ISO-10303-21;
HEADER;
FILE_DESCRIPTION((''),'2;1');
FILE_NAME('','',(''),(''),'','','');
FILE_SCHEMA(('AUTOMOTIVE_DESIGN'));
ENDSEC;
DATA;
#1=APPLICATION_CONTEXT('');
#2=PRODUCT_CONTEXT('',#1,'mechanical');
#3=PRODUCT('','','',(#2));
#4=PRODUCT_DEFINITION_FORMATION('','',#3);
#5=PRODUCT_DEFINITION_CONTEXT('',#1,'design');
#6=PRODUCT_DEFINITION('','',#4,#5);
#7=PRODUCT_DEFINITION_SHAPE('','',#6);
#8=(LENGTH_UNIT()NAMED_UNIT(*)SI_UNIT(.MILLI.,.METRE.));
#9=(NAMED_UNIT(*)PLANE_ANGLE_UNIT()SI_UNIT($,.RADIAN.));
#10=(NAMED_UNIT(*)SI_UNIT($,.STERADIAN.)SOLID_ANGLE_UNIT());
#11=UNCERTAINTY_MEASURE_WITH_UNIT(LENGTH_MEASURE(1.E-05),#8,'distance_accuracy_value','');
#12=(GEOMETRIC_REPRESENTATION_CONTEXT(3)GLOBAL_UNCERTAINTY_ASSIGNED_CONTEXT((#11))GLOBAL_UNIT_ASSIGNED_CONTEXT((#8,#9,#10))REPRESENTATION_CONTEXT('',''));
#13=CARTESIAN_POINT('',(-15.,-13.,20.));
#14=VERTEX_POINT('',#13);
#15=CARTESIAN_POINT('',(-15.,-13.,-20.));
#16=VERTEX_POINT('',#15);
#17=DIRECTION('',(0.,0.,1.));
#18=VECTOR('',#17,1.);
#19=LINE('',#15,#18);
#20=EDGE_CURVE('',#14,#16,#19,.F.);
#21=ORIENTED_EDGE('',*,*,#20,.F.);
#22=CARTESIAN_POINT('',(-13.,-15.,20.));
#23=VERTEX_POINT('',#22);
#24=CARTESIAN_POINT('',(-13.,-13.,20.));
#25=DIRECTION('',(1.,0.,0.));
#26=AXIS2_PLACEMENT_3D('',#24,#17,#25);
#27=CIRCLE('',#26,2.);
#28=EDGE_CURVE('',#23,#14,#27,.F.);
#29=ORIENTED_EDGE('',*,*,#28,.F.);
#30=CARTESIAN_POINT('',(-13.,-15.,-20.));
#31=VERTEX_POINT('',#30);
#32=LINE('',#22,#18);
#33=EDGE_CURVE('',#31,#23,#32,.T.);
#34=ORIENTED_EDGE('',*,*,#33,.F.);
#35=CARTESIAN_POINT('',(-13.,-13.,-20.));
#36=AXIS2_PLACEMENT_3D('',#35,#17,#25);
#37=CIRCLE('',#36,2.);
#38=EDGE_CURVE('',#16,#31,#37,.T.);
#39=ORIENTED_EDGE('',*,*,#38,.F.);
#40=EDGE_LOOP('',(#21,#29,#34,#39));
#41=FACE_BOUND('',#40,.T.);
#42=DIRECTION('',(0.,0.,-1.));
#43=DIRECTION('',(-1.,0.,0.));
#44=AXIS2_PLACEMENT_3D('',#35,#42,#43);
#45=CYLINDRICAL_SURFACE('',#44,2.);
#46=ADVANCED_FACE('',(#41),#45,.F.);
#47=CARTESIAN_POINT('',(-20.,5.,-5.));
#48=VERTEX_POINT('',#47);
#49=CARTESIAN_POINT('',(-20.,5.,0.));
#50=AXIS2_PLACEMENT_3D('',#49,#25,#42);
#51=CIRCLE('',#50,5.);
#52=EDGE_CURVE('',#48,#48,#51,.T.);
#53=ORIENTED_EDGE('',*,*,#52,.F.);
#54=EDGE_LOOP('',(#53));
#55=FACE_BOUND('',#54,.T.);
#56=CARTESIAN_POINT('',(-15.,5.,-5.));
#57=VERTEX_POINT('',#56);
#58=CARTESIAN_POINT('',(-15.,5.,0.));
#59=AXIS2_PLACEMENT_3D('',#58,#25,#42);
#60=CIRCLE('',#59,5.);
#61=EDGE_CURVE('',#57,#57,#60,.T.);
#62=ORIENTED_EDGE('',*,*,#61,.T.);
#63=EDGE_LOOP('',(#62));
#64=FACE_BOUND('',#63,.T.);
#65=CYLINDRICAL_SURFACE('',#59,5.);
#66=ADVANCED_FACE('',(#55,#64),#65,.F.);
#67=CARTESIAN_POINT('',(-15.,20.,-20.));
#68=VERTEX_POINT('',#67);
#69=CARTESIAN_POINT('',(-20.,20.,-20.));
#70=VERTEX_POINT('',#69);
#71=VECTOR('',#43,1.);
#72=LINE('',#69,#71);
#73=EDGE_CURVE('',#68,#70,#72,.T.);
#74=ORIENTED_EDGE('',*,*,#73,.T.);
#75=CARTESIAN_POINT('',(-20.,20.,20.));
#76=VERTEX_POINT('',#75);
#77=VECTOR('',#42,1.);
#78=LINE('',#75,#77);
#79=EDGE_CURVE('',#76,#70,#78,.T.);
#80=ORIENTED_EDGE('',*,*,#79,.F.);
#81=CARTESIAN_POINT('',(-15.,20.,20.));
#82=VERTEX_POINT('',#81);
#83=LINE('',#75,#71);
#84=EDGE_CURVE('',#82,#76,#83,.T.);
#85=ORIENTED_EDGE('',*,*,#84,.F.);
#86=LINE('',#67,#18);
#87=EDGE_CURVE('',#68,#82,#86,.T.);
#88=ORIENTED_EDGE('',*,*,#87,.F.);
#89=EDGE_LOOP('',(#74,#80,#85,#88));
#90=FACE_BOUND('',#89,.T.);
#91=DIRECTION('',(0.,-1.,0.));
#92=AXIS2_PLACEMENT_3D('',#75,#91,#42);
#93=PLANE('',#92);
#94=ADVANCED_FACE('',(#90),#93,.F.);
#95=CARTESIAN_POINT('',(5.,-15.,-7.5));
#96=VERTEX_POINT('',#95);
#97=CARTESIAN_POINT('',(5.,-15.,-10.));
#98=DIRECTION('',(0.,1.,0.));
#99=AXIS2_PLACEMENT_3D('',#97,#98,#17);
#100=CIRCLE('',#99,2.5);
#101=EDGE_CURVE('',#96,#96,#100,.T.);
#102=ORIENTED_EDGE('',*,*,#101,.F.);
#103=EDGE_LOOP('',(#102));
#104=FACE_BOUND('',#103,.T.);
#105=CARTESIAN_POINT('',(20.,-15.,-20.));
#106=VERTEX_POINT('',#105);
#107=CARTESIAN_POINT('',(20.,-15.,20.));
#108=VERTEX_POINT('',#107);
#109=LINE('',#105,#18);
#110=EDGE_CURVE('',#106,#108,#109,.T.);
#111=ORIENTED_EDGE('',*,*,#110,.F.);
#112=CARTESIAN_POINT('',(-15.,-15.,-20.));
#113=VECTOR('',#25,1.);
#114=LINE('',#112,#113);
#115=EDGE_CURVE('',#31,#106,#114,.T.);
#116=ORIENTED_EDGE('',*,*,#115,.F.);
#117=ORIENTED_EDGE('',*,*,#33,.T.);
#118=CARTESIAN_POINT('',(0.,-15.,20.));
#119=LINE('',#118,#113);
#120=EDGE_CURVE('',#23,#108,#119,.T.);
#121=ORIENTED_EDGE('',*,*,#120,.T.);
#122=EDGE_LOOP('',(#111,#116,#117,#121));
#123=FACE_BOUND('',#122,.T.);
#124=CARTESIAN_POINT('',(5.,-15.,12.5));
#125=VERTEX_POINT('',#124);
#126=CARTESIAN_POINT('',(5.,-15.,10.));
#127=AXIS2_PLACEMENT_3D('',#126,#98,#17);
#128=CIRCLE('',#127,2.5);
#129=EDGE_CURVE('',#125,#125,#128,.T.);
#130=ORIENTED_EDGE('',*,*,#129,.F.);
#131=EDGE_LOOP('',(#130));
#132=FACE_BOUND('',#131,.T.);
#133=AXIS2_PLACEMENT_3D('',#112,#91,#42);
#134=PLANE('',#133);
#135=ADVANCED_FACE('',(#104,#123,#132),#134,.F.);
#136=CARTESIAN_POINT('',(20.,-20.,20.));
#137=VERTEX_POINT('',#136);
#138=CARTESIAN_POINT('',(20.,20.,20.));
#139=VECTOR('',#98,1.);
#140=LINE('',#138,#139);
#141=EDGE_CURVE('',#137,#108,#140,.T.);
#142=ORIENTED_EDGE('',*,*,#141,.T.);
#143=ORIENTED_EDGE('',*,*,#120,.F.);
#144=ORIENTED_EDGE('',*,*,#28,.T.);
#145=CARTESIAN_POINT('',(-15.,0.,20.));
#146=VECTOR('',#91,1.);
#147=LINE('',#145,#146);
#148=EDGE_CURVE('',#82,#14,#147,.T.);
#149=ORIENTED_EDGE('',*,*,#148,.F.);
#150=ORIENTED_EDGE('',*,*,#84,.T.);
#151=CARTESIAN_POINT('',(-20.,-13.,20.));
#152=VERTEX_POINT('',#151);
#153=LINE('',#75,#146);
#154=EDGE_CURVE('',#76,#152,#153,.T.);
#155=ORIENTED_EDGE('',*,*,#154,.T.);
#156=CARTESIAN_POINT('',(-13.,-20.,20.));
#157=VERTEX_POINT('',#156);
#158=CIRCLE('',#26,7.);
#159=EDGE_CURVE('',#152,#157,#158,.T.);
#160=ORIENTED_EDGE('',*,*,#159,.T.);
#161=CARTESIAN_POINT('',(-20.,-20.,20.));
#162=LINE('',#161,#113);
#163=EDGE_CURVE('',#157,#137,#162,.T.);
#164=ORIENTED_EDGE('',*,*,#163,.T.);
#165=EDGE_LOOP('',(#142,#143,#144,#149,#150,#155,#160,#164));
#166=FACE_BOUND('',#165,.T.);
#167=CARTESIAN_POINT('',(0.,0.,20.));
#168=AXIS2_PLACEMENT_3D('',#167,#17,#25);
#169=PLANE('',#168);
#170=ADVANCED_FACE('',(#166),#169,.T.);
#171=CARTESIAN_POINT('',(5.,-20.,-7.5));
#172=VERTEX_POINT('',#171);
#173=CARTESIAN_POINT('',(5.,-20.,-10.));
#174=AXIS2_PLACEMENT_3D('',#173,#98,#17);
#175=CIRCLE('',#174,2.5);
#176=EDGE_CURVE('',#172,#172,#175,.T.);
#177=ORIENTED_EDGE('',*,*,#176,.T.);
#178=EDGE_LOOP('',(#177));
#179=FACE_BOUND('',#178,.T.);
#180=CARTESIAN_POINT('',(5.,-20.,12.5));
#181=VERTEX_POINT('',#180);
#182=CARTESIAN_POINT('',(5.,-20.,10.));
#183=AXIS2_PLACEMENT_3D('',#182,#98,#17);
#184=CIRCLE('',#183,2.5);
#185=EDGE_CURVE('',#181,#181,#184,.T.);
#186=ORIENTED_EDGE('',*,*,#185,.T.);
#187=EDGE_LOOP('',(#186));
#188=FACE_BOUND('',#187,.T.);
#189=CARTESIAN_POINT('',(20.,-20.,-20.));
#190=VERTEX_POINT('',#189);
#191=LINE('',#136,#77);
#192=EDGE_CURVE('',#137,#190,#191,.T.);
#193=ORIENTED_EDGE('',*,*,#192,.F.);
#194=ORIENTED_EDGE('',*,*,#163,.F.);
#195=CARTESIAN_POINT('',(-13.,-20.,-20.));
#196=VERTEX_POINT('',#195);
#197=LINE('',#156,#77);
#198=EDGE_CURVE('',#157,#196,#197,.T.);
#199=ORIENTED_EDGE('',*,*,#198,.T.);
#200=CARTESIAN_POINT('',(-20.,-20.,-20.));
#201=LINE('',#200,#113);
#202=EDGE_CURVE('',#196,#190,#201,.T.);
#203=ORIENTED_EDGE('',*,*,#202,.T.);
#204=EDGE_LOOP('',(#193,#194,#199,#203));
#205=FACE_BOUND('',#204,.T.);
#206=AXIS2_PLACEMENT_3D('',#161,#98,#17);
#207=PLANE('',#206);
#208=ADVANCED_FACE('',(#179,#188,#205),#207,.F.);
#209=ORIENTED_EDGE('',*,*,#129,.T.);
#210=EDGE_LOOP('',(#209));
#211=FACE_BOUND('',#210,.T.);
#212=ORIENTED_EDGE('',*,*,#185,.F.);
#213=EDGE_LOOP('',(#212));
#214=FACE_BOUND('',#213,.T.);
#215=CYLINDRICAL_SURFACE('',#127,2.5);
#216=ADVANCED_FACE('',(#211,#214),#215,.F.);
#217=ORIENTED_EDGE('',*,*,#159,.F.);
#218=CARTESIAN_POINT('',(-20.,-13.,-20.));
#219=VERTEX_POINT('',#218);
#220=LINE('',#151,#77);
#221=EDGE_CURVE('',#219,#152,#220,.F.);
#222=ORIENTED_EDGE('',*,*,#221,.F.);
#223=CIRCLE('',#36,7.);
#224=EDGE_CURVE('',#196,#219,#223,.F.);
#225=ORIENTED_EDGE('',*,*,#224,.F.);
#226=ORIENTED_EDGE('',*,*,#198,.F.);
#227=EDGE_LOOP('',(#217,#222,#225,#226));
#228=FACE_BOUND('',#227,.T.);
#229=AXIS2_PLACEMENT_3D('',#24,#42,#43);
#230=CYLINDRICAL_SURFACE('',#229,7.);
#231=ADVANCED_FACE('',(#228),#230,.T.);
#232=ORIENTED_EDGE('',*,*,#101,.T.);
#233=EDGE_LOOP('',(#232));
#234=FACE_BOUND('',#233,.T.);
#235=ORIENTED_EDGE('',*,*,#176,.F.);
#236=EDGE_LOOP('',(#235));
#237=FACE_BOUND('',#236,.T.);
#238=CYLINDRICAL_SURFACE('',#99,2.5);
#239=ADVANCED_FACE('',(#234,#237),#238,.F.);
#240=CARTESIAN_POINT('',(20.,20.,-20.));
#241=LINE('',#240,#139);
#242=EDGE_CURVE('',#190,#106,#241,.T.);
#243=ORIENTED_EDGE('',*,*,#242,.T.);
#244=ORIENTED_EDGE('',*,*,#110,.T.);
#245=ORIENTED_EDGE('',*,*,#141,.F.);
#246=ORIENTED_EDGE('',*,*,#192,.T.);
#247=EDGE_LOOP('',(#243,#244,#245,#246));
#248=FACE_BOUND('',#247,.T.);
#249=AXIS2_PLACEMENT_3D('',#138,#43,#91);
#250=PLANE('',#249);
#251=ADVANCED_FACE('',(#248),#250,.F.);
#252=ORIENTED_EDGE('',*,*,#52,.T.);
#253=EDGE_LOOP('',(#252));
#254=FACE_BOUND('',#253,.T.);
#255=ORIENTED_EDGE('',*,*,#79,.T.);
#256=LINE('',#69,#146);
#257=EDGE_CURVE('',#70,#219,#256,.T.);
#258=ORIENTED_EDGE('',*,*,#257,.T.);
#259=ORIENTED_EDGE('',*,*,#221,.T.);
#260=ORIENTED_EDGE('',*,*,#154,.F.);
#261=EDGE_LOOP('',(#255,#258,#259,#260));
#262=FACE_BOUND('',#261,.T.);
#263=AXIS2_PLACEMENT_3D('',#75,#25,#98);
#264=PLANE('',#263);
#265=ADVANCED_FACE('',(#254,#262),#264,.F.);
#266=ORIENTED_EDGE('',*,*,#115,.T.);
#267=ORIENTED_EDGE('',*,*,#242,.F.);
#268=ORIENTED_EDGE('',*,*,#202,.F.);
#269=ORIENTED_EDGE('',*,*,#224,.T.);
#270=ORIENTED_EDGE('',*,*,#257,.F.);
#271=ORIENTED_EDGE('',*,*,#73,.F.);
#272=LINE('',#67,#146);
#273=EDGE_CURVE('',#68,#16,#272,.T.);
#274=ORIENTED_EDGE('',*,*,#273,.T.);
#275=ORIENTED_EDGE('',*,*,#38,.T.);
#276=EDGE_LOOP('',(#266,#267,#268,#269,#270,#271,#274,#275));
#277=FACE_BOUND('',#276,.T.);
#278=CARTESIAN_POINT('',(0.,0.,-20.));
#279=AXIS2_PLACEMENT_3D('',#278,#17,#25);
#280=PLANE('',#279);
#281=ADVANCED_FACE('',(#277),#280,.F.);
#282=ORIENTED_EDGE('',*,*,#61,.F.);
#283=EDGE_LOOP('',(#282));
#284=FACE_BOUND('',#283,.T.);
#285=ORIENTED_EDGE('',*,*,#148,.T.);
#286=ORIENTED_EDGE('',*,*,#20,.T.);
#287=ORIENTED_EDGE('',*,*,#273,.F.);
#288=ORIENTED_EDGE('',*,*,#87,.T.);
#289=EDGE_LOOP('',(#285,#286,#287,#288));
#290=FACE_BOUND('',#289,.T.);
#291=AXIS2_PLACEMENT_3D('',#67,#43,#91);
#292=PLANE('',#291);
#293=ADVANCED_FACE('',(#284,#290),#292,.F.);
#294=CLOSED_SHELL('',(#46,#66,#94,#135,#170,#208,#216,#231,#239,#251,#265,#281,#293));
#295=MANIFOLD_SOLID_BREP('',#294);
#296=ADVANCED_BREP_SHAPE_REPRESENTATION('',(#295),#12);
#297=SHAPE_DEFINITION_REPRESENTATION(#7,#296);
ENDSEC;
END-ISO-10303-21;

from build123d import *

# Parameters (mm, degrees)
SKETCH1_W               = 40
SKETCH1_H               = 40
BOSS_EXTRUDE1_DEPTH     = 20
CUT_EXTRUDE1_DEPTH      = 49.989794856
CUT_EXTRUDE1_DEPTH_BACK = 49.989794856
SKETCH2_W               = 35
SKETCH2_H               = 35
FILLET1_R               = 2
FILLET2_R               = 7
HOLE1_D                 = 10
HOLE3_D                 = 5


with BuildPart() as part:
    # Sketch1 → Boss-Extrude1 (new, symmetric)
    with BuildSketch(Plane.XY):
        Rectangle(SKETCH1_W, SKETCH1_H)
    extrude(amount=BOSS_EXTRUDE1_DEPTH, both=True)

    # Sketch2 → Cut-Extrude1 (cut, two sides: drawn at the far end of the back side and taken through both)
    with BuildSketch(Plane.XY.offset(20).offset(-CUT_EXTRUDE1_DEPTH_BACK)):
        with Locations((2.5, 2.5)):
            Rectangle(SKETCH2_W, SKETCH2_H)
    extrude(amount=CUT_EXTRUDE1_DEPTH + CUT_EXTRUDE1_DEPTH_BACK, mode=Mode.SUBTRACT)

    # Fillet1
    fillet1_edges = [part.edges().sort_by_distance(p)[0] for p in [
        (-15, -15, 0),
    ]]
    fillet(fillet1_edges, radius=FILLET1_R)

    # Fillet2
    fillet2_edges = [part.edges().sort_by_distance(p)[0] for p in [
        (-20, -20, 0),
    ]]
    fillet(fillet2_edges, radius=FILLET2_R)

    # Hole1 (through all)
    with Locations(Plane(origin=(-15, 0, 0), x_dir=(0, 0, -1), z_dir=(1, 0, 0))):
        with Locations((0, 5)):
            Hole(HOLE1_D / 2)

    # Hole3 (through all)
    with Locations(Plane(origin=(0, -15, 0), x_dir=(1, 0, 0), z_dir=(0, 1, 0))):
        with Locations((5, -10)):
            hole3 = Hole(HOLE3_D / 2)

    # Mirror1: Hole3 across plane
    add(hole3.mirror(Plane.XY), mode=Mode.SUBTRACT)


solid = part.part
